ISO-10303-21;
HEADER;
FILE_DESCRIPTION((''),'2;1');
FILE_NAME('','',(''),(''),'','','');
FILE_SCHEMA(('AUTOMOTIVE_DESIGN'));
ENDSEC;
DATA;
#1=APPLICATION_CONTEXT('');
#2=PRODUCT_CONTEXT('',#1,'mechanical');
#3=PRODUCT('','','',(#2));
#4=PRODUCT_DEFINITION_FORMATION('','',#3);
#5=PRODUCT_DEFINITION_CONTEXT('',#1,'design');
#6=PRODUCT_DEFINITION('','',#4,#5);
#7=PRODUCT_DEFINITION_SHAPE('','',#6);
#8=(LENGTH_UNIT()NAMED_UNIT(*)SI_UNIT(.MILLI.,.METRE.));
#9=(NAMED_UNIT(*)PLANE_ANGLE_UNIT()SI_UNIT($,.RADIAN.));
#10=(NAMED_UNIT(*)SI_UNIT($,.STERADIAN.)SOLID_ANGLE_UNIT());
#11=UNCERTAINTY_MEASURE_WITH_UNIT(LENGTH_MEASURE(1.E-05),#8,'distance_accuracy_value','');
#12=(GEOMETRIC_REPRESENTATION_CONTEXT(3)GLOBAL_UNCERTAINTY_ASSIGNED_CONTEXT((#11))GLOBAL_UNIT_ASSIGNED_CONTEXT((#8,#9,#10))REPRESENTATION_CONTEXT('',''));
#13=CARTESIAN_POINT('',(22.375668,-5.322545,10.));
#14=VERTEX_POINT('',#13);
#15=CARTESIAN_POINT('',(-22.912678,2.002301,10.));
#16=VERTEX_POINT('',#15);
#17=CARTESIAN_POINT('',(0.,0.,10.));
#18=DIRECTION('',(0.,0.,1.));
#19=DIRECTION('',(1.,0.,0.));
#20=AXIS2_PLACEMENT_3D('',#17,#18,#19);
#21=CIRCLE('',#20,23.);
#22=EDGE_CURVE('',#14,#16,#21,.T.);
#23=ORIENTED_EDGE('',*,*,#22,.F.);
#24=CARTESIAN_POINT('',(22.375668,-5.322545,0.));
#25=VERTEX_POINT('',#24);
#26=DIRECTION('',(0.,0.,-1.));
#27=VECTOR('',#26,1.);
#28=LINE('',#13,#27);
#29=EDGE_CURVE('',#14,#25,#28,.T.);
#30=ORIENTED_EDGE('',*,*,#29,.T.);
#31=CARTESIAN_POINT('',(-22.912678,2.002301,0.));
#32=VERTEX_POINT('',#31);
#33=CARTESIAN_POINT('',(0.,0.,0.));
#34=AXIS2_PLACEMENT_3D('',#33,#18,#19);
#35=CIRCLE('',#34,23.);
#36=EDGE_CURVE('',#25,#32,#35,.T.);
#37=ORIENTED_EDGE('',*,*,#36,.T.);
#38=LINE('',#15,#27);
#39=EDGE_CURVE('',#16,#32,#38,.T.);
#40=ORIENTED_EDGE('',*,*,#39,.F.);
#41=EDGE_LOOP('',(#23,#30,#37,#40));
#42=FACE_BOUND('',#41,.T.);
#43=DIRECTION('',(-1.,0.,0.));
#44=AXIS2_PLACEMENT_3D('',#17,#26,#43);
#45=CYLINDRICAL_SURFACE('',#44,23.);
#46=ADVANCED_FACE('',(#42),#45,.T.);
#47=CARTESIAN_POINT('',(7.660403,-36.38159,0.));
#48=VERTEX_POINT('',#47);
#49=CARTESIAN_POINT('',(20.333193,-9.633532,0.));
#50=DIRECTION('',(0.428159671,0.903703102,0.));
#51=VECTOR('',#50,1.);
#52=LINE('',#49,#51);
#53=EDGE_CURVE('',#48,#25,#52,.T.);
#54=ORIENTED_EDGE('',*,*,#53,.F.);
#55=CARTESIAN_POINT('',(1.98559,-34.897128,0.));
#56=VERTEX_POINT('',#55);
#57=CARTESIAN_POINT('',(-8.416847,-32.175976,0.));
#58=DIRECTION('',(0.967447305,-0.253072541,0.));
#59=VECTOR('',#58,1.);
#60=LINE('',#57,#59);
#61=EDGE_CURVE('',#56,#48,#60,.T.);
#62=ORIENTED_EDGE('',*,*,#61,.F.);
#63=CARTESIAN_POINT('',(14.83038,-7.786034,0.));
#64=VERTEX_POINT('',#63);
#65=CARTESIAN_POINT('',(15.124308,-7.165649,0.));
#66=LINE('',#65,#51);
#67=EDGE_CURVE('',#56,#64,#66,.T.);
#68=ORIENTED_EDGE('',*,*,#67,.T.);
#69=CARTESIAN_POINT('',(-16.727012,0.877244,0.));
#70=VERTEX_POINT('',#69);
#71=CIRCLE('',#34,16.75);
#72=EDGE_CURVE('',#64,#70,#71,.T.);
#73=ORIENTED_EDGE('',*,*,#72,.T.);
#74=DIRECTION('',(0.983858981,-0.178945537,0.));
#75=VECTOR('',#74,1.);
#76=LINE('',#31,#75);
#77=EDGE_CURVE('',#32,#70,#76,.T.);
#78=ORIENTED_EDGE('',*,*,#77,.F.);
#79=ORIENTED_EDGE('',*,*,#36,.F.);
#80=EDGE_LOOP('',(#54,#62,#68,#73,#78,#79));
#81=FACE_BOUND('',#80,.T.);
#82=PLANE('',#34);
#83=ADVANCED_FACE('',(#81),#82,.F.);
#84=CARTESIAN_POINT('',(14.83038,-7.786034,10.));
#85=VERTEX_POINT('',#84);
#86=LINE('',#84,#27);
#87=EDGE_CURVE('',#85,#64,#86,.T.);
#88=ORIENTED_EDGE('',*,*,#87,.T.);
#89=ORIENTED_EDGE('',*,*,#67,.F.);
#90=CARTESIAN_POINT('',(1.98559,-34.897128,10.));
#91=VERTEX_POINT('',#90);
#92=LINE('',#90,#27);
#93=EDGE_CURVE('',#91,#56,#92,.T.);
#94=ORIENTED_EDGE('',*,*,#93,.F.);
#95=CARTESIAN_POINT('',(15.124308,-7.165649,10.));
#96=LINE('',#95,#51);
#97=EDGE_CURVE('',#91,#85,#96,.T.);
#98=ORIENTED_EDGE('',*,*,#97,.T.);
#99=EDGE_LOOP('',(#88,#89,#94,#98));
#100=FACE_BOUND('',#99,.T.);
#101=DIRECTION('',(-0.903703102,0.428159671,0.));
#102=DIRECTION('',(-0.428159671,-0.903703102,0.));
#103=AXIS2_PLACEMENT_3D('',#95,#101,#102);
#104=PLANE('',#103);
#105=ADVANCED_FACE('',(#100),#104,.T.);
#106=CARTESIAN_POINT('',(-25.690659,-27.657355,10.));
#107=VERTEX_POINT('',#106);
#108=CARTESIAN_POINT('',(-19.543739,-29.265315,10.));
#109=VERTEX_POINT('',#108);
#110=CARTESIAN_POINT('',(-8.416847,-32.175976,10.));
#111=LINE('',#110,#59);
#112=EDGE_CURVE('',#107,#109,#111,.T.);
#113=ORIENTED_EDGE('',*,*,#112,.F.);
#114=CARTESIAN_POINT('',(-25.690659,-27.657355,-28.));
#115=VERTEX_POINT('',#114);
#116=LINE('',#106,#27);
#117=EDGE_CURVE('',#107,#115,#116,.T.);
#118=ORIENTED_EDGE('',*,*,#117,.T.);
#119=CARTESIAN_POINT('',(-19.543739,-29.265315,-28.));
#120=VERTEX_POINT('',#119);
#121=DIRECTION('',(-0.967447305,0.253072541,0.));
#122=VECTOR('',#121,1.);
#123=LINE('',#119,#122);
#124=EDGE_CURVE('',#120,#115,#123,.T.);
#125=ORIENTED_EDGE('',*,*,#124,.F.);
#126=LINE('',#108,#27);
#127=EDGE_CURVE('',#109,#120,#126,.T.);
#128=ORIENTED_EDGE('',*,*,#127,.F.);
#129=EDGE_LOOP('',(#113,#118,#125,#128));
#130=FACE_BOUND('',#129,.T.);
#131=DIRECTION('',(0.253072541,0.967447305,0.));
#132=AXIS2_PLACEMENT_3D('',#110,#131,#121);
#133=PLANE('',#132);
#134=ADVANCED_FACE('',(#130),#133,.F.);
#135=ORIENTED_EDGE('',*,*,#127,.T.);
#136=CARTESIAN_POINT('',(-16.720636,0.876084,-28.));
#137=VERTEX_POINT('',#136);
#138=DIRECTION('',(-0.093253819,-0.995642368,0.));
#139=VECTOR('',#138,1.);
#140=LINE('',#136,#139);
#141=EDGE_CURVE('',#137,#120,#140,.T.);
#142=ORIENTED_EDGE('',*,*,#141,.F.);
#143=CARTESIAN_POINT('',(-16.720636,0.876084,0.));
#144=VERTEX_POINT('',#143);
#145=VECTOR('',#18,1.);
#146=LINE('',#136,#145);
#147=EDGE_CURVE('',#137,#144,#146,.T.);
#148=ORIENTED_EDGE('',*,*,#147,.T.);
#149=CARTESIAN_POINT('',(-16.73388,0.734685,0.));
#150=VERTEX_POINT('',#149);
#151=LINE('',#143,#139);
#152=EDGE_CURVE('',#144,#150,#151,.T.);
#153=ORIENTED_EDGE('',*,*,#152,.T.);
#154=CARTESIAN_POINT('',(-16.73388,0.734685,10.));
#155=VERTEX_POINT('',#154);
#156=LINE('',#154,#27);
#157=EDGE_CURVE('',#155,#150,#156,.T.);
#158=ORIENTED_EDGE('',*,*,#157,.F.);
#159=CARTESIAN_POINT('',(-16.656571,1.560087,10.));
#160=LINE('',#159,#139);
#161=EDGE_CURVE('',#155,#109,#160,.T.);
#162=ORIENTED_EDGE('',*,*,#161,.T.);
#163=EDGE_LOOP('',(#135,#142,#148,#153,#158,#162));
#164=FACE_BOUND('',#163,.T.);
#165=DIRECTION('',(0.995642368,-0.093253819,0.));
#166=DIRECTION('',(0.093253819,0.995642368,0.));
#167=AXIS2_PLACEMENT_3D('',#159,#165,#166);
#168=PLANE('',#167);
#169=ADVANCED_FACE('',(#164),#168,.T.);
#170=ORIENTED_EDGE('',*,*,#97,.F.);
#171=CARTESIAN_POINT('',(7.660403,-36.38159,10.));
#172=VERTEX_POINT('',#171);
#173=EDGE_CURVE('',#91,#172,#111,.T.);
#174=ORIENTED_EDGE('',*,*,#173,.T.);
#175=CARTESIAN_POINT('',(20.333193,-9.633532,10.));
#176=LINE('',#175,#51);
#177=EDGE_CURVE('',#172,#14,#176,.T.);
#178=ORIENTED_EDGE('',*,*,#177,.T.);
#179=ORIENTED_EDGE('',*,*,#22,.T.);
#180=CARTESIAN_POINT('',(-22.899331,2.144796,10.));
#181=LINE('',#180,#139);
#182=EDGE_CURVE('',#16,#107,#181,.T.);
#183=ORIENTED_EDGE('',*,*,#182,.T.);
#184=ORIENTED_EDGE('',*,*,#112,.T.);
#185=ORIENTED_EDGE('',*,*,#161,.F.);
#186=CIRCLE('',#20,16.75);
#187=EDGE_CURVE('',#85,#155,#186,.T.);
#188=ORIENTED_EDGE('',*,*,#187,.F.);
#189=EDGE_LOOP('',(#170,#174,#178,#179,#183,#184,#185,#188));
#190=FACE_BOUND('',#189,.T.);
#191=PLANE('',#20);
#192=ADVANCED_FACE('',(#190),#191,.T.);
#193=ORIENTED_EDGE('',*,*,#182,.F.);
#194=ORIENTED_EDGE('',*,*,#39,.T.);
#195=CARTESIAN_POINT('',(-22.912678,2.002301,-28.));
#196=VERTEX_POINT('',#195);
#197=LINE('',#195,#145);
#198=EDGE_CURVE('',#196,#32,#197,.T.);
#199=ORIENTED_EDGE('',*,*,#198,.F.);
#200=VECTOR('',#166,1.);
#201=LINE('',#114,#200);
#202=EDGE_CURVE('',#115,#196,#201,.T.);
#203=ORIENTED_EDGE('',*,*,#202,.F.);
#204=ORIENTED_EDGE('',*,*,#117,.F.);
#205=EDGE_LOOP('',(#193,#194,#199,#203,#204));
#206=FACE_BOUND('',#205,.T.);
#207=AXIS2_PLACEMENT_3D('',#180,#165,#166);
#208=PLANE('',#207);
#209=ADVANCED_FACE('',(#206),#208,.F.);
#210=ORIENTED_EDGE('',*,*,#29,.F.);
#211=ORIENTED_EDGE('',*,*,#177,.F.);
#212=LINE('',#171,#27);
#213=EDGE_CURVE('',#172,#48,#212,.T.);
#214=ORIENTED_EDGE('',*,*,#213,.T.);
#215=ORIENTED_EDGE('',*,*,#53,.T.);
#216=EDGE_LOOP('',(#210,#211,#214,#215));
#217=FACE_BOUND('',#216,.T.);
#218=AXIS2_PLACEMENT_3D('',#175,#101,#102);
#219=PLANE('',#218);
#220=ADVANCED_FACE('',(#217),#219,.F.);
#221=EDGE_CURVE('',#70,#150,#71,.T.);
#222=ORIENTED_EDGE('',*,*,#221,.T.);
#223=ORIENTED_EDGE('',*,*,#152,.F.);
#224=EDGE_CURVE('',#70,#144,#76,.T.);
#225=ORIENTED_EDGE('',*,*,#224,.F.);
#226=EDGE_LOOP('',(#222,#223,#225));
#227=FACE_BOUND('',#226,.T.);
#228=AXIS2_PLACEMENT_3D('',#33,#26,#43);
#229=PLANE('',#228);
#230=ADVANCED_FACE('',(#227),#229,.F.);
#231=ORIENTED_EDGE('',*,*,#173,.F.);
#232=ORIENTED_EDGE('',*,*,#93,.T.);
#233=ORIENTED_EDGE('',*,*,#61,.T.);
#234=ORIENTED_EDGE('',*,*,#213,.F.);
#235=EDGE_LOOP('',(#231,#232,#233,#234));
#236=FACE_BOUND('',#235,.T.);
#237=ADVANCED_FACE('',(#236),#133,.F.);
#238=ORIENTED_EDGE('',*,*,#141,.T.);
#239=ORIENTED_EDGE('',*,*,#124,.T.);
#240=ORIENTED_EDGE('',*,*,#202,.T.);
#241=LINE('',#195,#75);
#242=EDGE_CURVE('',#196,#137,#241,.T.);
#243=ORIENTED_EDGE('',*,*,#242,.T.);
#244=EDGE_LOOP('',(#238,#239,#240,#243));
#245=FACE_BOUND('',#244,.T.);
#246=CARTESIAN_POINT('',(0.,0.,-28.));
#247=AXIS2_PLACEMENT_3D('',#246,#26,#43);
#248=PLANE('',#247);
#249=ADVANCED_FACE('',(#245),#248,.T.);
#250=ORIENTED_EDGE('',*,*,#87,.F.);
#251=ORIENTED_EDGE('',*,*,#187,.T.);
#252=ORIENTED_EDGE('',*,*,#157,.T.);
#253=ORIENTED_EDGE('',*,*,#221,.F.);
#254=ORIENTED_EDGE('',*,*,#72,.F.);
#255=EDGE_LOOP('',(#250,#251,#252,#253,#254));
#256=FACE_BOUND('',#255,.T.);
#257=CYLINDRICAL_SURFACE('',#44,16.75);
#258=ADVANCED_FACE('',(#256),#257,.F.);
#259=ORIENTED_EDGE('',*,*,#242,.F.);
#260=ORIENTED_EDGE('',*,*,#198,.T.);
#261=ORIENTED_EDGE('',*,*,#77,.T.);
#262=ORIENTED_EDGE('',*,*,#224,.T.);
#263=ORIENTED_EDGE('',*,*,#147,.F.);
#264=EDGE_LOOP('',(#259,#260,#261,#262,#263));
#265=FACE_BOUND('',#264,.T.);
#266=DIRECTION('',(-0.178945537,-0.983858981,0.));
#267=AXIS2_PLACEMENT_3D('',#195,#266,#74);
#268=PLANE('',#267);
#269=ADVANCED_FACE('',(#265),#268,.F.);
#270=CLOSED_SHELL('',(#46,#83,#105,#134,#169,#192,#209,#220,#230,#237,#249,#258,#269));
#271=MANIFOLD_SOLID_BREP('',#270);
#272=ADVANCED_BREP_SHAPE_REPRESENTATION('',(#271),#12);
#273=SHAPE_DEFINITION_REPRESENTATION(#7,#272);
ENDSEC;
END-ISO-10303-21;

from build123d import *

# Parameters (mm, degrees)
BOSS_EXTRUDE3_DEPTH = 10
BOSS_EXTRUDE4_DEPTH = 28


with BuildPart() as part:
    # Sketch1 → Boss-Extrude3 (new body)
    with BuildSketch(Plane.XY):
        with BuildLine():
            ThreePointArc((-16.733879942, 0.734685024), (4.365374373, 16.171147349), (14.830379862, -7.786034495))
            Line((14.830379862, -7.786034495), (1.98558973, -34.897127547))
            Line((1.98558973, -34.897127547), (7.660402975, -36.381590217))
            Line((7.660402975, -36.381590217), (22.375667903, -5.322545058))
            ThreePointArc((22.375667903, -5.322545058), (3.672252171, 22.704945805), (-22.912677541, 2.002300652))
            Line((-22.912677541, 2.002300652), (-25.690659105, -27.657354808))
            Line((-25.690659105, -27.657354808), (-19.543738844, -29.265314976))
            Line((-19.543738844, -29.265314976), (-16.733879942, 0.734685024))
        make_face()
    extrude(amount=BOSS_EXTRUDE3_DEPTH)

    # Sketch2 → Boss-Extrude4 (add)
    with BuildSketch(Plane(origin=(0, 0, 0), x_dir=(-1, 0, 0), z_dir=(0, 0, -1))):
        Polygon((22.912677541, 2.002300652), (16.720636216, 0.876084213), (19.543738844, -29.265314976), (25.690659105, -27.657354808), align=None)
    extrude(amount=BOSS_EXTRUDE4_DEPTH)


solid = part.part
